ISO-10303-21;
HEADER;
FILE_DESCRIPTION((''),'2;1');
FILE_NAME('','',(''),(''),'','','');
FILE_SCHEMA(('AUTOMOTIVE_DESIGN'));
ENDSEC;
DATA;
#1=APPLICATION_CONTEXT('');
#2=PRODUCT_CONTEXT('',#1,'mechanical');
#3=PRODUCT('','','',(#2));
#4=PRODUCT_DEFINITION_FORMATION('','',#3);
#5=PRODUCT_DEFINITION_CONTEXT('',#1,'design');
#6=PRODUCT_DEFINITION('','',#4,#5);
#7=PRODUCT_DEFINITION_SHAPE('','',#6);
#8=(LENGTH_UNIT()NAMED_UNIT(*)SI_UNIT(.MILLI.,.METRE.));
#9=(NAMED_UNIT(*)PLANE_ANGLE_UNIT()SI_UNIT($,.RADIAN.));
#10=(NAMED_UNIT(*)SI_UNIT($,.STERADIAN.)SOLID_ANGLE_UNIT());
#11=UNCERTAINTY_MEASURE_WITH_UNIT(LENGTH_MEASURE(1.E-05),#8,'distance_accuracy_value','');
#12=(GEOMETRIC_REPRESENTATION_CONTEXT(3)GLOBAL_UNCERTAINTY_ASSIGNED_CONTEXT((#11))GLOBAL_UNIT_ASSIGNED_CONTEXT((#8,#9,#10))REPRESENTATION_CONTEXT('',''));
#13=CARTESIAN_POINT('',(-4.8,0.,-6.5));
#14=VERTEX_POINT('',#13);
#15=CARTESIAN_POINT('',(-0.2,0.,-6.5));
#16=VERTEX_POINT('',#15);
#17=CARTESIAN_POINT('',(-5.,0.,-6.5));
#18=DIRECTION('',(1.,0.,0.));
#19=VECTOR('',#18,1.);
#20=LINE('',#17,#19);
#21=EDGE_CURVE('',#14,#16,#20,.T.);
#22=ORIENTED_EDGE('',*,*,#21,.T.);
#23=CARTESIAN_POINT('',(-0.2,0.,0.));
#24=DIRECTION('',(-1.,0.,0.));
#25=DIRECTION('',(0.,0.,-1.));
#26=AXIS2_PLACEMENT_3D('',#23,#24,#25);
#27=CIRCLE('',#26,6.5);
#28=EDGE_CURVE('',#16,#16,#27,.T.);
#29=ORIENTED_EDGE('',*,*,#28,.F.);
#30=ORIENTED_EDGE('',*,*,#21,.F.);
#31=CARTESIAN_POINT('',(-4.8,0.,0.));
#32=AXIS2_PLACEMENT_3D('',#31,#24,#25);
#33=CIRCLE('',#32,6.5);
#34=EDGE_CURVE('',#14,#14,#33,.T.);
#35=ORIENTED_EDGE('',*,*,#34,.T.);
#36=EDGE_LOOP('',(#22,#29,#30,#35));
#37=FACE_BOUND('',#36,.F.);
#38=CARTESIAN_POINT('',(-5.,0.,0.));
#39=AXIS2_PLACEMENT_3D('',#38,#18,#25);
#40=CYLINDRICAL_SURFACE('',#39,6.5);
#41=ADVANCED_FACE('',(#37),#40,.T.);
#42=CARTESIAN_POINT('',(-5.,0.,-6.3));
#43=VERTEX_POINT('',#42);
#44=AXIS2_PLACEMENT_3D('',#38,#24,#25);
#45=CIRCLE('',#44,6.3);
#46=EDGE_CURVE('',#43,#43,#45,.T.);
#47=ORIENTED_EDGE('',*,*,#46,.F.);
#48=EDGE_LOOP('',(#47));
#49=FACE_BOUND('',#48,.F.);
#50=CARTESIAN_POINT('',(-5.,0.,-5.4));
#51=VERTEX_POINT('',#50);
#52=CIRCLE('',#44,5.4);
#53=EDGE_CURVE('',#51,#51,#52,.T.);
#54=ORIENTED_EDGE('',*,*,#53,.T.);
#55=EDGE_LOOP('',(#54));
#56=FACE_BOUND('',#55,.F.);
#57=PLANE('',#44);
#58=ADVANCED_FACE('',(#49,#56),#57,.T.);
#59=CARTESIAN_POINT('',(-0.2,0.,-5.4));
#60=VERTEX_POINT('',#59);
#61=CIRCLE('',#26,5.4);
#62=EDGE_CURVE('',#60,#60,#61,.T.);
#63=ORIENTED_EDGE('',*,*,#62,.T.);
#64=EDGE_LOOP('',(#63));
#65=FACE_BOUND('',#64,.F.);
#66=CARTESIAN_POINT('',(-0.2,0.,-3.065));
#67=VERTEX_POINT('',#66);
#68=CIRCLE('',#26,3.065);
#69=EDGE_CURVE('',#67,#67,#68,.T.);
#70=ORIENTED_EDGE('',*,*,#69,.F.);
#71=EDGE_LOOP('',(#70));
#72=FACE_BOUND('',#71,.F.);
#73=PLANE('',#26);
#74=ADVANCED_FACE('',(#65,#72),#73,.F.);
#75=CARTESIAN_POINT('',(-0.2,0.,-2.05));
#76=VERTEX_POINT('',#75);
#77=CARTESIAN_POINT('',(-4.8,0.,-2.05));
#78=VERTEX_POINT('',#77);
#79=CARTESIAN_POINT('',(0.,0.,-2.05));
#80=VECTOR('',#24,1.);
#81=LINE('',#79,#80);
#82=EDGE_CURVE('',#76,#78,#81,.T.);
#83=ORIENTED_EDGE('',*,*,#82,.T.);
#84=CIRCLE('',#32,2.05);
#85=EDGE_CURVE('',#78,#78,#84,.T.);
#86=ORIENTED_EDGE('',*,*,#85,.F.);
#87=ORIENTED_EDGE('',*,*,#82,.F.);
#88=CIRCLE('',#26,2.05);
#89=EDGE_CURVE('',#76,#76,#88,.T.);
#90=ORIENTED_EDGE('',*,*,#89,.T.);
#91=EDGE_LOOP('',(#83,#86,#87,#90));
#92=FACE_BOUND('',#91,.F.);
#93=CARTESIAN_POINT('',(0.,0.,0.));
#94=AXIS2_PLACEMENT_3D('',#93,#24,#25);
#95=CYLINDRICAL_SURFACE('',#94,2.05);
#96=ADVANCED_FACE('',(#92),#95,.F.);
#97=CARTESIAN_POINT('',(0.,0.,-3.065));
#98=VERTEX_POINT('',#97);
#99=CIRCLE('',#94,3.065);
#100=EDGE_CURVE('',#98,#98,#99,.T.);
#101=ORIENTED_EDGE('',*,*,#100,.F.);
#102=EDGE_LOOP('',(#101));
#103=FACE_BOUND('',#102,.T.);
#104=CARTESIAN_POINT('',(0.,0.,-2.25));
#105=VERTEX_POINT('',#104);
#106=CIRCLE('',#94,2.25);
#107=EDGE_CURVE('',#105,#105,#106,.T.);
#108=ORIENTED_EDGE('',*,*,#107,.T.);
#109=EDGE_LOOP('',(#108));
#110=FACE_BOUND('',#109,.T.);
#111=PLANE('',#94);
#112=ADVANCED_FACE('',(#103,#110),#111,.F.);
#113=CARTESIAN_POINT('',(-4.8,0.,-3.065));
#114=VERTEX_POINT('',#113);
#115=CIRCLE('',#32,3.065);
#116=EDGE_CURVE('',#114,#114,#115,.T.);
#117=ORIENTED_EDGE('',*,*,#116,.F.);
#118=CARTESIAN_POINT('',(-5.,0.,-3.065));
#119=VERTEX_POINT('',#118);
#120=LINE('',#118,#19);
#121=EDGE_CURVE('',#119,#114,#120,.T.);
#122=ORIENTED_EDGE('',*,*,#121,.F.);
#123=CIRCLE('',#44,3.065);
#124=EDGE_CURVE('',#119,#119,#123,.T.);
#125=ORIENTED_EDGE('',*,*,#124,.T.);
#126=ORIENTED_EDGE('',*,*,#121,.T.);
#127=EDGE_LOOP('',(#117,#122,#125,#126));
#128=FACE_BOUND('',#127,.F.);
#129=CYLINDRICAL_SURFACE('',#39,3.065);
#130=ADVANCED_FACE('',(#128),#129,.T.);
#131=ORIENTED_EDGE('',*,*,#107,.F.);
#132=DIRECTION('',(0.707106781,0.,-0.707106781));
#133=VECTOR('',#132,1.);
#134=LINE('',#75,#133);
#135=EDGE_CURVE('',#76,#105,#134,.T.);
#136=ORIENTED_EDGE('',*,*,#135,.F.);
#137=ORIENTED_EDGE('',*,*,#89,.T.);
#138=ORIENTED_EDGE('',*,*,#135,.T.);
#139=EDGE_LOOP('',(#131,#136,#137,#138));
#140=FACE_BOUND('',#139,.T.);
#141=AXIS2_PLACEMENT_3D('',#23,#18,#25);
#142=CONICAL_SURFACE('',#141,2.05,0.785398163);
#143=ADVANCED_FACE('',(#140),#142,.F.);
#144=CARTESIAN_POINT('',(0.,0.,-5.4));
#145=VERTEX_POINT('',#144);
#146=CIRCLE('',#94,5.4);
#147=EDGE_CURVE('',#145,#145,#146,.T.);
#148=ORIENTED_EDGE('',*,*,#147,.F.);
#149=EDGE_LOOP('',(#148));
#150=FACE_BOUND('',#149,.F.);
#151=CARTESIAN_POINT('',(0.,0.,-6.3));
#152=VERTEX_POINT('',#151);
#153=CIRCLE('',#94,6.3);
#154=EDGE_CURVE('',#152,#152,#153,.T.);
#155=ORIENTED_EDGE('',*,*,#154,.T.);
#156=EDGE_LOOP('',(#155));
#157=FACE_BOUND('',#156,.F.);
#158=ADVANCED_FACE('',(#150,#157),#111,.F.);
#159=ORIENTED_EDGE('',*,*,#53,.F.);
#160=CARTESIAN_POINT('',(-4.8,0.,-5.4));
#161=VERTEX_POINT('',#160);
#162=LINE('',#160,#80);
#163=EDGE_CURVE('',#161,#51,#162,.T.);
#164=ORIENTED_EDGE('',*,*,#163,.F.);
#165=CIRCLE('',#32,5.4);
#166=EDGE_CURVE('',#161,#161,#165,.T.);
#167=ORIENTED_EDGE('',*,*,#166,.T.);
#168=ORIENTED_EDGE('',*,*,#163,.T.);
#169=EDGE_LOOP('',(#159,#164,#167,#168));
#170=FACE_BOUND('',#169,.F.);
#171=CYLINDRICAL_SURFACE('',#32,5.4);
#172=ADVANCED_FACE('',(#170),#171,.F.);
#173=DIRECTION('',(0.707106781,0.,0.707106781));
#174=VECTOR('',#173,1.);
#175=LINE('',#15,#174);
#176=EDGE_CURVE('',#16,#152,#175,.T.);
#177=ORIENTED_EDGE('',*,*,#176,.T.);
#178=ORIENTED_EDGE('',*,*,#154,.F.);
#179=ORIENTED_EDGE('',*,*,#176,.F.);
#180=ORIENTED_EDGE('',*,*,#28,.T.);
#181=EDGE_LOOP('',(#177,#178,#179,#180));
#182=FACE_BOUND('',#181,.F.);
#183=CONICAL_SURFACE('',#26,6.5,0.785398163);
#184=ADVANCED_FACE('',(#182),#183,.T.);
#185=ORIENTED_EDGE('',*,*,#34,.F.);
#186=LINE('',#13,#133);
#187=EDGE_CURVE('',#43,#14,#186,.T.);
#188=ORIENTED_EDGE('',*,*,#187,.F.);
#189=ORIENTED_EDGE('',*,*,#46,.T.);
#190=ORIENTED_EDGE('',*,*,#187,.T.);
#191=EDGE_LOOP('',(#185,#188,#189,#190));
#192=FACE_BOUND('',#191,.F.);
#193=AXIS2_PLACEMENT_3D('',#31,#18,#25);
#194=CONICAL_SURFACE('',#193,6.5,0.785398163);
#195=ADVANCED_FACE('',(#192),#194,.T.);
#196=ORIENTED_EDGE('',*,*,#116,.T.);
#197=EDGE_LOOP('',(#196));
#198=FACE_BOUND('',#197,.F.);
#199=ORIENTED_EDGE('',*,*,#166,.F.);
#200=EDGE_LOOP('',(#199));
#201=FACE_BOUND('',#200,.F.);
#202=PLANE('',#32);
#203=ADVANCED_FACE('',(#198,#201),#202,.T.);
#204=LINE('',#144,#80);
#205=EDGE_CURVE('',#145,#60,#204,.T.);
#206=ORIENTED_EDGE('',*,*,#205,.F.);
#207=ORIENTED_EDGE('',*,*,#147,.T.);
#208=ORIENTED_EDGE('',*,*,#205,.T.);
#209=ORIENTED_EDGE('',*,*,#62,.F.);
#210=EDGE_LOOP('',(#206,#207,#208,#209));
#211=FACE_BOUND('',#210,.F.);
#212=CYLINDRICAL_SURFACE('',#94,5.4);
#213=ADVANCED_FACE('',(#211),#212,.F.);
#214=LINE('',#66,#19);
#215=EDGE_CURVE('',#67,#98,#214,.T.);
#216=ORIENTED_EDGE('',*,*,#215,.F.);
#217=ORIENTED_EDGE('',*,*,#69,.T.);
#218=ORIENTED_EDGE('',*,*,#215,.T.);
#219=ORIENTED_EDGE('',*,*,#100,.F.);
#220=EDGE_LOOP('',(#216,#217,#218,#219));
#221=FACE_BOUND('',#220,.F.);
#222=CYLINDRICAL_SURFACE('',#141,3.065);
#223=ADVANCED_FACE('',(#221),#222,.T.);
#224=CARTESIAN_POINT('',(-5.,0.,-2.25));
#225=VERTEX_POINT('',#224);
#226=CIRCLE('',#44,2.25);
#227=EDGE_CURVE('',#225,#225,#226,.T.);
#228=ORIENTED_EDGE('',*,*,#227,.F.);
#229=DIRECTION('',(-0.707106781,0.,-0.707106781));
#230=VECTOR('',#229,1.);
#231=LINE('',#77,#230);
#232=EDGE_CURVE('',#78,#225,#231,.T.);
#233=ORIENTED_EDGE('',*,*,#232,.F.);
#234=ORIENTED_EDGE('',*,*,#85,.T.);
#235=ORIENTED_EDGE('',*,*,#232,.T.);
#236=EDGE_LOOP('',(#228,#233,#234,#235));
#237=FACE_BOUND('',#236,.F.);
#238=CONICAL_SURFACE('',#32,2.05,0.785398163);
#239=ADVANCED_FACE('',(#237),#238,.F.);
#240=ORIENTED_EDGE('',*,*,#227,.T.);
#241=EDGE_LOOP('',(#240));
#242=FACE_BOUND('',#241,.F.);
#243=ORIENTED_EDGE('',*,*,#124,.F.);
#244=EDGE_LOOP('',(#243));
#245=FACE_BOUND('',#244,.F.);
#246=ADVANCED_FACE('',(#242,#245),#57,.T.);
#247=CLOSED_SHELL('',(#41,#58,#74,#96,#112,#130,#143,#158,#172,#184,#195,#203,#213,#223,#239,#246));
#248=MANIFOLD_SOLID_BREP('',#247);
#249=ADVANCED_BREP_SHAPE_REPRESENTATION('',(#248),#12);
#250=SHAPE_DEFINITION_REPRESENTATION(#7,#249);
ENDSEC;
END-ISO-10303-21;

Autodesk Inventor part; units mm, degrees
ref_plane "YZ Plane" through (0, 0, 0) normal (1, 0, 0) x (0, 1, 0)
ref_plane "XZ Plane" through (0, 0, 0) normal (0, 1, 0) x (-1, 0, 0)
ref_plane "XY Plane" through (0, 0, 0) normal (0, 0, 1) x (1, 0, 0)
sketch "Sketch2" plane through (0, 0, 0) normal (0, 1, 0) x (-1, 0, 0)
  line L0 (0, 0) -> (10.4128, 0) construction
  line L1 (0, -2.05) -> (5, -2.05)
  line L2 (5, -2.05) -> (5, -3.065)
  line L3 (5, -3.065) -> (4.8, -3.065)
  line L4 (4.8, -3.065) -> (4.8, -5.4)
  line L5 (4.8, -5.4) -> (5, -5.4)
  line L6 (5, -5.4) -> (5, -6.5)
  line L7 (5, -6.5) -> (0, -6.5)
  line L8 (0, -6.5) -> (0, -5.4)
  line L9 (0, -5.4) -> (0.2, -5.4)
  line L10 (0.2, -5.4) -> (0.2, -3.065)
  line L11 (0.2, -3.065) -> (0, -3.065)
  line L12 (0, -2.05) -> (0, -3.065)
  dimension "d0" = 5
  dimension "d1" = 2.05
  dimension "d2" = 3.065
  dimension "d3" = 5.4
  dimension "d4" = 6.5
  dimension "d5" = 0.2
revolve "Revolution1" add sketch "Sketch2" angle 360 about axis through (0, 0, 0) along (-1, 0, 0)
chamfer "Chamfer1" distance 0.2 angle 45 4 edges at (0, 0, 6.5) (-5, 0, 6.5) (0, 0, 2.05) (-5, 0, 2.05)
properties part number "idl-bearing"
